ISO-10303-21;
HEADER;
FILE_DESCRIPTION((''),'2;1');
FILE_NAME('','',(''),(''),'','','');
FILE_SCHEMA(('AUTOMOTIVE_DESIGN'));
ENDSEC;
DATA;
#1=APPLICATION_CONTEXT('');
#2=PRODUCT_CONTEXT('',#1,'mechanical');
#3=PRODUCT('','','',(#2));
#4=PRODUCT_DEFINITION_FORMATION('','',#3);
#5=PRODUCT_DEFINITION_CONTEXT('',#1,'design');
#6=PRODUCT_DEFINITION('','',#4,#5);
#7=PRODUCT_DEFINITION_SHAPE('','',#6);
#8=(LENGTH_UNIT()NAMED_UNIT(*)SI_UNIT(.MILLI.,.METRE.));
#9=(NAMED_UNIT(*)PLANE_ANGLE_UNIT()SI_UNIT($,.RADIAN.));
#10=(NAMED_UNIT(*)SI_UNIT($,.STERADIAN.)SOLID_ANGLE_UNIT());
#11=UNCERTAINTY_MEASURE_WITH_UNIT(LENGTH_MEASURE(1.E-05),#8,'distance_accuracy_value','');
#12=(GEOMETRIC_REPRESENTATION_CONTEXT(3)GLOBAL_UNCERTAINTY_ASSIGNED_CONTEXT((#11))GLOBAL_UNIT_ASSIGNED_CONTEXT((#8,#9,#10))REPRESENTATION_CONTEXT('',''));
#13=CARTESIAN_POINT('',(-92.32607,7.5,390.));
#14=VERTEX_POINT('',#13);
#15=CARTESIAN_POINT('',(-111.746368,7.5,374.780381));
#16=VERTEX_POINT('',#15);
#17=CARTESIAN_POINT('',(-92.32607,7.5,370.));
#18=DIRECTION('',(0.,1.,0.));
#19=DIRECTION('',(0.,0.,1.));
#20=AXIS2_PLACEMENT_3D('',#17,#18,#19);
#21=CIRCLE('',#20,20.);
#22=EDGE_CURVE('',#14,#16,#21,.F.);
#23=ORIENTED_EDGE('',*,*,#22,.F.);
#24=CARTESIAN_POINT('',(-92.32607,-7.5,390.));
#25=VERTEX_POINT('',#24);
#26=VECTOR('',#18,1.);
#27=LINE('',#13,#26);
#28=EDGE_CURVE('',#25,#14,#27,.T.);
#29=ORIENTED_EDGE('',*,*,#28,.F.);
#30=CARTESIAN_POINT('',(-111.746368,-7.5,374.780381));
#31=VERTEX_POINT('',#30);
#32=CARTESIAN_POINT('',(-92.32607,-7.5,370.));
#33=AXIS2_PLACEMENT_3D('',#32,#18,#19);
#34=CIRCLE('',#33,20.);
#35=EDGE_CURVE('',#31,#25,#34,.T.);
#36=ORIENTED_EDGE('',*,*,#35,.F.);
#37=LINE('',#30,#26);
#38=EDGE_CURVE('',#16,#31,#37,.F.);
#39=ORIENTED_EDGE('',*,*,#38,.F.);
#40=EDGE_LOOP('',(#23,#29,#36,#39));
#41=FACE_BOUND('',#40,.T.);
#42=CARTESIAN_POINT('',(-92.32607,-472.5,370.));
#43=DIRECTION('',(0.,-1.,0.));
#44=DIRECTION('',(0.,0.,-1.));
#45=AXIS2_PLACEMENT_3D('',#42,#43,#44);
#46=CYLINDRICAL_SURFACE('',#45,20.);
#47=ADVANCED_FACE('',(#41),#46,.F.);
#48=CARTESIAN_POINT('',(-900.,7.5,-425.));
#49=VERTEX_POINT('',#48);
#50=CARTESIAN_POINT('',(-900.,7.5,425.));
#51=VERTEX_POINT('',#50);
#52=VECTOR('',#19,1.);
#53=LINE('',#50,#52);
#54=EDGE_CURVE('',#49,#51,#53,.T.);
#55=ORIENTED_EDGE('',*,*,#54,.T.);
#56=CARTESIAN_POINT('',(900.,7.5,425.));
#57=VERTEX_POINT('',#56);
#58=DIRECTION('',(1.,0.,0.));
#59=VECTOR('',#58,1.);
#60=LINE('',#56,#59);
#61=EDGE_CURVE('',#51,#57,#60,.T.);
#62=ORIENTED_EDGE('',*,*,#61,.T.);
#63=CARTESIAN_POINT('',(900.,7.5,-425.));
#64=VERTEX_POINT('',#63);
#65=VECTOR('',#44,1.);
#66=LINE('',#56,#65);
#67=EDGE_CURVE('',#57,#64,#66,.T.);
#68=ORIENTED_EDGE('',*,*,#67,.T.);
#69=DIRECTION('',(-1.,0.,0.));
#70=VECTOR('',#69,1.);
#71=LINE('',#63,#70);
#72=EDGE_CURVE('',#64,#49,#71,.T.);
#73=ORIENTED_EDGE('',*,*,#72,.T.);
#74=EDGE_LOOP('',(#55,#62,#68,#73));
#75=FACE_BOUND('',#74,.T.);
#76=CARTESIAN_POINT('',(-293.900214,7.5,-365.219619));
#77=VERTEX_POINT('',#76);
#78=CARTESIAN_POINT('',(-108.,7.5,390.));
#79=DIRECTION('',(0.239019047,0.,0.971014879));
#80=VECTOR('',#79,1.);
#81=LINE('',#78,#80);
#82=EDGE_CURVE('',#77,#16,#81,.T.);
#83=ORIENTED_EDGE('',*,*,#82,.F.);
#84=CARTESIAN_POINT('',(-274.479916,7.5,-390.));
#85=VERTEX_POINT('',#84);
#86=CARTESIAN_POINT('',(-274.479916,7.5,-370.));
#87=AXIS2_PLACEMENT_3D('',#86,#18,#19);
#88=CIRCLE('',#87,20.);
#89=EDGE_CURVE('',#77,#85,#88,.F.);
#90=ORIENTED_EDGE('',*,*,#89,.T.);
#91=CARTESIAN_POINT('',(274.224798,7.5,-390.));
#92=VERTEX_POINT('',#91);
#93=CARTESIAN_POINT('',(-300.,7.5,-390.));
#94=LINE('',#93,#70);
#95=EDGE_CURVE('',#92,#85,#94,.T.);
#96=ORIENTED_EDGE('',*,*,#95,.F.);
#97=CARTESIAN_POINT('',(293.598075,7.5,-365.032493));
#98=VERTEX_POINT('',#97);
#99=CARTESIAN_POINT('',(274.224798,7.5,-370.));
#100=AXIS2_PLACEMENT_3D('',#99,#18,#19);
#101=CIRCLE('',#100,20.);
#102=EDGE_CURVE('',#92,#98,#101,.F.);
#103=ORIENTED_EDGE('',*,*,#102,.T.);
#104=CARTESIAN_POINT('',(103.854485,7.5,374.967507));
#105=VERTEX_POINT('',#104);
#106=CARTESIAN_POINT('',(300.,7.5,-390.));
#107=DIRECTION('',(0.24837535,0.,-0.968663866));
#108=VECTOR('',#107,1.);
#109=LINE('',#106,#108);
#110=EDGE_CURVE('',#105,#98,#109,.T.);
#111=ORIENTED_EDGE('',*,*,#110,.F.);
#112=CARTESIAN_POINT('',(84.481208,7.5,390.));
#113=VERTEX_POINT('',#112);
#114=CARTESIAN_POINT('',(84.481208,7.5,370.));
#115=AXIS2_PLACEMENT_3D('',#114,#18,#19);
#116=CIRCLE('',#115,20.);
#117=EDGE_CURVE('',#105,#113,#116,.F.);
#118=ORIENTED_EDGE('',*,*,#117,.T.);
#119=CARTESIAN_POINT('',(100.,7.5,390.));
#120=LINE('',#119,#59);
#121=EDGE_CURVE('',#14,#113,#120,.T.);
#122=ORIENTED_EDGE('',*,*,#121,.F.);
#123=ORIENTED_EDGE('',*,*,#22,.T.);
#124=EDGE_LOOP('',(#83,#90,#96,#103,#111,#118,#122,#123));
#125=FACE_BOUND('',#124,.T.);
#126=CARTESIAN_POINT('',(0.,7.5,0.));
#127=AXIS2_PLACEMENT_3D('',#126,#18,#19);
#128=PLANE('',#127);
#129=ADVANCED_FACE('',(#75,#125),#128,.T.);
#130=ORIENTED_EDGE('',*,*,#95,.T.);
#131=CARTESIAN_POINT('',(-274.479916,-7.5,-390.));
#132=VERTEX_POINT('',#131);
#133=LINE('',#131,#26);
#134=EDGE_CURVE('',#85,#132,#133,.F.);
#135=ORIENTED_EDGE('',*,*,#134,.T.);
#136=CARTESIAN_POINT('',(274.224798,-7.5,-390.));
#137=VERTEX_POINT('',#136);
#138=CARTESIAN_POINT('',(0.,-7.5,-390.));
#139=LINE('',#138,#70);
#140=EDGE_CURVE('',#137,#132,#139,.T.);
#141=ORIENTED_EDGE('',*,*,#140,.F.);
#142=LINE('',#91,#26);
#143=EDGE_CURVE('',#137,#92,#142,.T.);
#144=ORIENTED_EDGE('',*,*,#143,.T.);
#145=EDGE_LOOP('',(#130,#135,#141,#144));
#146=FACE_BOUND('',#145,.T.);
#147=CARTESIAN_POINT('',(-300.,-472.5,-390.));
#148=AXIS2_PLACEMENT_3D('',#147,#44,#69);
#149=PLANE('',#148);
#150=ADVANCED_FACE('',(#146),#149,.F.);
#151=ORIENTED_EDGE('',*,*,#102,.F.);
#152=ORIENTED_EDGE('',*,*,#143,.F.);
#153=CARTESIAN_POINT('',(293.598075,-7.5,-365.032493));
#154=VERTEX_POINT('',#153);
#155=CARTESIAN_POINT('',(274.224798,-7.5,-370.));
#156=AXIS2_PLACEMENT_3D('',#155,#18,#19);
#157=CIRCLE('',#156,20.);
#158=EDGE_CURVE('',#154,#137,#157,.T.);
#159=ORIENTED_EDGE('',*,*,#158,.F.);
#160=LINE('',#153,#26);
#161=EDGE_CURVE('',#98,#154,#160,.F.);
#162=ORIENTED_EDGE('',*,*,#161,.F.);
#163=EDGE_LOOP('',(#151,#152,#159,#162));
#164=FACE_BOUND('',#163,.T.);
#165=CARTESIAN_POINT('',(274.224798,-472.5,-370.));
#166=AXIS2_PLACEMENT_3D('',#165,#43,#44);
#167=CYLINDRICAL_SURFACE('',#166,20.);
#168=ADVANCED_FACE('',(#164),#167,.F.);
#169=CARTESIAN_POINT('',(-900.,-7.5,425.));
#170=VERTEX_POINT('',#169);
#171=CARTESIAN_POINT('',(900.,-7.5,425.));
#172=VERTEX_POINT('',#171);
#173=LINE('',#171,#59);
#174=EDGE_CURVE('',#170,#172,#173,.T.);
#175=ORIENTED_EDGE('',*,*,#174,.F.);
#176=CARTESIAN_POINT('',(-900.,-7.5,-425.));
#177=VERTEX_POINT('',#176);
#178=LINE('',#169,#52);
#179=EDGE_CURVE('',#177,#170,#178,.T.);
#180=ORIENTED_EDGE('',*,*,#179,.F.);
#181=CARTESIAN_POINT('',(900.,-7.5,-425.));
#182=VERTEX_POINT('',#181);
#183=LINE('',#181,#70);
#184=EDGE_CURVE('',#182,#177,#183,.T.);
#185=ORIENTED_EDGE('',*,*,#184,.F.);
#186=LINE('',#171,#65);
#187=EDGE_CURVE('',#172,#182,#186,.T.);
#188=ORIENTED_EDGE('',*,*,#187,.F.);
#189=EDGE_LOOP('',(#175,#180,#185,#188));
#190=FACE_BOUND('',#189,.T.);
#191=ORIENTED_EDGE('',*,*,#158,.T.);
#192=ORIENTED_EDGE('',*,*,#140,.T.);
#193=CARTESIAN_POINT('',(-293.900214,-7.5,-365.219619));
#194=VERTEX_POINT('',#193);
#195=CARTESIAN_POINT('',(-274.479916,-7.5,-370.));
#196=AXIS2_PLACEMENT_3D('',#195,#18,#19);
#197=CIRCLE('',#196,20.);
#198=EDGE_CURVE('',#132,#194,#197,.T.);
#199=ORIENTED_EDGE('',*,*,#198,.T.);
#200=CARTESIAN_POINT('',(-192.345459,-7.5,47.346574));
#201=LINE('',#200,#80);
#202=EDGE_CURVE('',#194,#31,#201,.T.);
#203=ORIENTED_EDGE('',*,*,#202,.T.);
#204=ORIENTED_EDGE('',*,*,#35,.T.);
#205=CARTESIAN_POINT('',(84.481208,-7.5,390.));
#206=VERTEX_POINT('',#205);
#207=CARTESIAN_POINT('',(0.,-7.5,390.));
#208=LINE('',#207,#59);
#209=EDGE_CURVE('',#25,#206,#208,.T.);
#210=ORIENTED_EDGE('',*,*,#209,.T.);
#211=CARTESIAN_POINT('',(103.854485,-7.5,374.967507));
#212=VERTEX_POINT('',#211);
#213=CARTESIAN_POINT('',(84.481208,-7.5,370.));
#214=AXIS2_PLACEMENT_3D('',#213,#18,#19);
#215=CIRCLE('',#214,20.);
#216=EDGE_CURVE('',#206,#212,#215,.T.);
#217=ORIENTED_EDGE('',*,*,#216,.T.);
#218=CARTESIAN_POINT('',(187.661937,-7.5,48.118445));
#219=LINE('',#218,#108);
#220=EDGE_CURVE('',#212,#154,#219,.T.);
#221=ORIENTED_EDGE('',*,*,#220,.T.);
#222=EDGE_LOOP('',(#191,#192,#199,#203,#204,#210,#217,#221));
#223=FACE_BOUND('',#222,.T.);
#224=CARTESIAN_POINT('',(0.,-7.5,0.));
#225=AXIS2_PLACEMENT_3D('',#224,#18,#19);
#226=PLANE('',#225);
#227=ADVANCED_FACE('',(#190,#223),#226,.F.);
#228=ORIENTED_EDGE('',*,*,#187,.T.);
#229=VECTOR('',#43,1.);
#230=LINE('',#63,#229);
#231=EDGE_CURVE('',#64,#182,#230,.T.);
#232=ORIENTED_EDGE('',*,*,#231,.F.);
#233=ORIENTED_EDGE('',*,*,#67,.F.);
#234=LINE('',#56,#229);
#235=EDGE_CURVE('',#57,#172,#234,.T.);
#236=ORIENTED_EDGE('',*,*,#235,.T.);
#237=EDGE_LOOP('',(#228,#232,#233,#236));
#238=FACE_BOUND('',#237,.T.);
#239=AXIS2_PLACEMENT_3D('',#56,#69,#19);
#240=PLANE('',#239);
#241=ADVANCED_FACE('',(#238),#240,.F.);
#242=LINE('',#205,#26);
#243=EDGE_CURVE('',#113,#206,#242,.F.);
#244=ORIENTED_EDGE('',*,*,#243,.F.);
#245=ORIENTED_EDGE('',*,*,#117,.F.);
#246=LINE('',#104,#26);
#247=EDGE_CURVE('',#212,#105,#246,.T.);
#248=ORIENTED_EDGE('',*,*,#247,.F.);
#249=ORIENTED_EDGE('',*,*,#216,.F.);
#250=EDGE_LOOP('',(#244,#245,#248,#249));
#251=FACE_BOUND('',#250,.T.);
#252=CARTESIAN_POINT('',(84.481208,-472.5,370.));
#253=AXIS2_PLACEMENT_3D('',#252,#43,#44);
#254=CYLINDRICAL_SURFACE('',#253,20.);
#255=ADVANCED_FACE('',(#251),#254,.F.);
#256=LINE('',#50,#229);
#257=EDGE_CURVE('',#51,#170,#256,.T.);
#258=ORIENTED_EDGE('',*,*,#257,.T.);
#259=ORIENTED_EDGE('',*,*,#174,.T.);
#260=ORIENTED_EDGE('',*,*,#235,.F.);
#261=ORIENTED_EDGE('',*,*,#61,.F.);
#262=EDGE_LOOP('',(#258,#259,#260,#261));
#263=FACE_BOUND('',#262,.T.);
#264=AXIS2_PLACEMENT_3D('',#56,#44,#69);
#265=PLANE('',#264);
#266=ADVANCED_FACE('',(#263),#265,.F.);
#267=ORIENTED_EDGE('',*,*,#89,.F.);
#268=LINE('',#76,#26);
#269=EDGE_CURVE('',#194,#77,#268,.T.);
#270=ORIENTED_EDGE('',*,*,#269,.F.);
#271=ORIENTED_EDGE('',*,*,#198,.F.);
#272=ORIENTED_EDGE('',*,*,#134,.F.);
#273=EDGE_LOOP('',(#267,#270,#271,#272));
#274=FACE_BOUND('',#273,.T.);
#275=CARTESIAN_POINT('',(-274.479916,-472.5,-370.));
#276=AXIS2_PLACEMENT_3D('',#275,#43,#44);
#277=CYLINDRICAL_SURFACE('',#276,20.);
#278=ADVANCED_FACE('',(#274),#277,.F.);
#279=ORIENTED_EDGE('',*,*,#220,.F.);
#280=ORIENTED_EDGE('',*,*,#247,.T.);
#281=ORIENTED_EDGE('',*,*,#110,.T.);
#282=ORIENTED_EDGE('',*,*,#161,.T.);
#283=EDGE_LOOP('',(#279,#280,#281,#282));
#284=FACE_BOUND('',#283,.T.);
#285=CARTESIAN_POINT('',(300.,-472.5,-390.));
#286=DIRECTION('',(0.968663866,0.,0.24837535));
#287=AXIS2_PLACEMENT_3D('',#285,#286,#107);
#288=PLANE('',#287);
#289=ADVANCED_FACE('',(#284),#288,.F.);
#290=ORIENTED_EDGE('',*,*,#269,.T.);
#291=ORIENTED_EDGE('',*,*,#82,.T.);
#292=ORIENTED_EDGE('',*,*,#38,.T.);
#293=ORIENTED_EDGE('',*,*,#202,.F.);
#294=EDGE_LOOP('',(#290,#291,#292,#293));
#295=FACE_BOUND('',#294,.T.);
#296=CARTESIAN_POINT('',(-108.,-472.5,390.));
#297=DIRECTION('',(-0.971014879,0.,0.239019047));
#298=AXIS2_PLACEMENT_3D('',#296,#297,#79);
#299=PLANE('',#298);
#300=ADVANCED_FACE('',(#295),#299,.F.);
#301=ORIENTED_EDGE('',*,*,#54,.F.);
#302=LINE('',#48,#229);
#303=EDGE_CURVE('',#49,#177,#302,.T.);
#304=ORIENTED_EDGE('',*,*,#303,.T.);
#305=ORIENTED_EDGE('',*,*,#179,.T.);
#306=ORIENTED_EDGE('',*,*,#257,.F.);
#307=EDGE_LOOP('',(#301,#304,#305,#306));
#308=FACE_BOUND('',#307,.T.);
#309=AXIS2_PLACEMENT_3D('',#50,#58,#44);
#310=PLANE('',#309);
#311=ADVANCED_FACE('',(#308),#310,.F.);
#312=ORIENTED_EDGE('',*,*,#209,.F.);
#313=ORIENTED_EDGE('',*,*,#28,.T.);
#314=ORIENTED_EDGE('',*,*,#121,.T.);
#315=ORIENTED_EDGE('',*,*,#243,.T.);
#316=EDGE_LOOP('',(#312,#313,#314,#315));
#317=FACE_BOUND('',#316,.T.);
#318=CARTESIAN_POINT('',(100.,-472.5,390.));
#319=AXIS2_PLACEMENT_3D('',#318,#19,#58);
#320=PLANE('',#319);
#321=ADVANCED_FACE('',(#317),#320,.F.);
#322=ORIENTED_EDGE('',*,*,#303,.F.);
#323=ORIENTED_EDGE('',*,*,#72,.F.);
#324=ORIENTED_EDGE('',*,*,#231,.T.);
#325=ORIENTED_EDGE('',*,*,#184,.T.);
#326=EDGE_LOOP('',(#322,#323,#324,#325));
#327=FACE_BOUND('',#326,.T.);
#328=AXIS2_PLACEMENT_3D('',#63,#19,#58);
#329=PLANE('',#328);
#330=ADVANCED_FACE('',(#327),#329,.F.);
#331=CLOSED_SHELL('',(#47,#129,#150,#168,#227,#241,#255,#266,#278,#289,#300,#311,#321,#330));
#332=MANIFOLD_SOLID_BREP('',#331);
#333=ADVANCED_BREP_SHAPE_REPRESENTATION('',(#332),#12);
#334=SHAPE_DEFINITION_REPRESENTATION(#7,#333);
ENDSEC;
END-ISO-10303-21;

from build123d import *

# Parameters (mm, degrees)
SKETCH1_W           = 1800
SKETCH1_H           = 850
BOSS_EXTRUDE1_DEPTH = 7.5
CUT_EXTRUDE1_DEPTH  = 480
FILLET1_R           = 20


with BuildPart() as part:
    # Sketch1 → Boss-Extrude1 (new, symmetric)
    with BuildSketch(Plane(origin=(0, 0, 0), x_dir=(1, 0, 0), z_dir=(0, 1, 0))):
        Rectangle(SKETCH1_W, SKETCH1_H)
    extrude(amount=BOSS_EXTRUDE1_DEPTH, both=True)

    # Sketch2 → Cut-Extrude1 (cut)
    with BuildSketch(Plane(origin=(0, 7.5, 0), x_dir=(1, 0, 0), z_dir=(0, 1, 0))):
        Polygon((-300, 390), (300, 390), (100, -390), (-108, -390), align=None)
    extrude(amount=-CUT_EXTRUDE1_DEPTH, mode=Mode.SUBTRACT)

    # Fillet1
    fillet1_edges = [part.edges().sort_by_distance(p)[0] for p in [
        (-108, 0, 390),
        (-300, 0, -390),
        (300, 0, -390),
        (100, 0, 390),
    ]]
    fillet(fillet1_edges, radius=FILLET1_R)


solid = part.part
